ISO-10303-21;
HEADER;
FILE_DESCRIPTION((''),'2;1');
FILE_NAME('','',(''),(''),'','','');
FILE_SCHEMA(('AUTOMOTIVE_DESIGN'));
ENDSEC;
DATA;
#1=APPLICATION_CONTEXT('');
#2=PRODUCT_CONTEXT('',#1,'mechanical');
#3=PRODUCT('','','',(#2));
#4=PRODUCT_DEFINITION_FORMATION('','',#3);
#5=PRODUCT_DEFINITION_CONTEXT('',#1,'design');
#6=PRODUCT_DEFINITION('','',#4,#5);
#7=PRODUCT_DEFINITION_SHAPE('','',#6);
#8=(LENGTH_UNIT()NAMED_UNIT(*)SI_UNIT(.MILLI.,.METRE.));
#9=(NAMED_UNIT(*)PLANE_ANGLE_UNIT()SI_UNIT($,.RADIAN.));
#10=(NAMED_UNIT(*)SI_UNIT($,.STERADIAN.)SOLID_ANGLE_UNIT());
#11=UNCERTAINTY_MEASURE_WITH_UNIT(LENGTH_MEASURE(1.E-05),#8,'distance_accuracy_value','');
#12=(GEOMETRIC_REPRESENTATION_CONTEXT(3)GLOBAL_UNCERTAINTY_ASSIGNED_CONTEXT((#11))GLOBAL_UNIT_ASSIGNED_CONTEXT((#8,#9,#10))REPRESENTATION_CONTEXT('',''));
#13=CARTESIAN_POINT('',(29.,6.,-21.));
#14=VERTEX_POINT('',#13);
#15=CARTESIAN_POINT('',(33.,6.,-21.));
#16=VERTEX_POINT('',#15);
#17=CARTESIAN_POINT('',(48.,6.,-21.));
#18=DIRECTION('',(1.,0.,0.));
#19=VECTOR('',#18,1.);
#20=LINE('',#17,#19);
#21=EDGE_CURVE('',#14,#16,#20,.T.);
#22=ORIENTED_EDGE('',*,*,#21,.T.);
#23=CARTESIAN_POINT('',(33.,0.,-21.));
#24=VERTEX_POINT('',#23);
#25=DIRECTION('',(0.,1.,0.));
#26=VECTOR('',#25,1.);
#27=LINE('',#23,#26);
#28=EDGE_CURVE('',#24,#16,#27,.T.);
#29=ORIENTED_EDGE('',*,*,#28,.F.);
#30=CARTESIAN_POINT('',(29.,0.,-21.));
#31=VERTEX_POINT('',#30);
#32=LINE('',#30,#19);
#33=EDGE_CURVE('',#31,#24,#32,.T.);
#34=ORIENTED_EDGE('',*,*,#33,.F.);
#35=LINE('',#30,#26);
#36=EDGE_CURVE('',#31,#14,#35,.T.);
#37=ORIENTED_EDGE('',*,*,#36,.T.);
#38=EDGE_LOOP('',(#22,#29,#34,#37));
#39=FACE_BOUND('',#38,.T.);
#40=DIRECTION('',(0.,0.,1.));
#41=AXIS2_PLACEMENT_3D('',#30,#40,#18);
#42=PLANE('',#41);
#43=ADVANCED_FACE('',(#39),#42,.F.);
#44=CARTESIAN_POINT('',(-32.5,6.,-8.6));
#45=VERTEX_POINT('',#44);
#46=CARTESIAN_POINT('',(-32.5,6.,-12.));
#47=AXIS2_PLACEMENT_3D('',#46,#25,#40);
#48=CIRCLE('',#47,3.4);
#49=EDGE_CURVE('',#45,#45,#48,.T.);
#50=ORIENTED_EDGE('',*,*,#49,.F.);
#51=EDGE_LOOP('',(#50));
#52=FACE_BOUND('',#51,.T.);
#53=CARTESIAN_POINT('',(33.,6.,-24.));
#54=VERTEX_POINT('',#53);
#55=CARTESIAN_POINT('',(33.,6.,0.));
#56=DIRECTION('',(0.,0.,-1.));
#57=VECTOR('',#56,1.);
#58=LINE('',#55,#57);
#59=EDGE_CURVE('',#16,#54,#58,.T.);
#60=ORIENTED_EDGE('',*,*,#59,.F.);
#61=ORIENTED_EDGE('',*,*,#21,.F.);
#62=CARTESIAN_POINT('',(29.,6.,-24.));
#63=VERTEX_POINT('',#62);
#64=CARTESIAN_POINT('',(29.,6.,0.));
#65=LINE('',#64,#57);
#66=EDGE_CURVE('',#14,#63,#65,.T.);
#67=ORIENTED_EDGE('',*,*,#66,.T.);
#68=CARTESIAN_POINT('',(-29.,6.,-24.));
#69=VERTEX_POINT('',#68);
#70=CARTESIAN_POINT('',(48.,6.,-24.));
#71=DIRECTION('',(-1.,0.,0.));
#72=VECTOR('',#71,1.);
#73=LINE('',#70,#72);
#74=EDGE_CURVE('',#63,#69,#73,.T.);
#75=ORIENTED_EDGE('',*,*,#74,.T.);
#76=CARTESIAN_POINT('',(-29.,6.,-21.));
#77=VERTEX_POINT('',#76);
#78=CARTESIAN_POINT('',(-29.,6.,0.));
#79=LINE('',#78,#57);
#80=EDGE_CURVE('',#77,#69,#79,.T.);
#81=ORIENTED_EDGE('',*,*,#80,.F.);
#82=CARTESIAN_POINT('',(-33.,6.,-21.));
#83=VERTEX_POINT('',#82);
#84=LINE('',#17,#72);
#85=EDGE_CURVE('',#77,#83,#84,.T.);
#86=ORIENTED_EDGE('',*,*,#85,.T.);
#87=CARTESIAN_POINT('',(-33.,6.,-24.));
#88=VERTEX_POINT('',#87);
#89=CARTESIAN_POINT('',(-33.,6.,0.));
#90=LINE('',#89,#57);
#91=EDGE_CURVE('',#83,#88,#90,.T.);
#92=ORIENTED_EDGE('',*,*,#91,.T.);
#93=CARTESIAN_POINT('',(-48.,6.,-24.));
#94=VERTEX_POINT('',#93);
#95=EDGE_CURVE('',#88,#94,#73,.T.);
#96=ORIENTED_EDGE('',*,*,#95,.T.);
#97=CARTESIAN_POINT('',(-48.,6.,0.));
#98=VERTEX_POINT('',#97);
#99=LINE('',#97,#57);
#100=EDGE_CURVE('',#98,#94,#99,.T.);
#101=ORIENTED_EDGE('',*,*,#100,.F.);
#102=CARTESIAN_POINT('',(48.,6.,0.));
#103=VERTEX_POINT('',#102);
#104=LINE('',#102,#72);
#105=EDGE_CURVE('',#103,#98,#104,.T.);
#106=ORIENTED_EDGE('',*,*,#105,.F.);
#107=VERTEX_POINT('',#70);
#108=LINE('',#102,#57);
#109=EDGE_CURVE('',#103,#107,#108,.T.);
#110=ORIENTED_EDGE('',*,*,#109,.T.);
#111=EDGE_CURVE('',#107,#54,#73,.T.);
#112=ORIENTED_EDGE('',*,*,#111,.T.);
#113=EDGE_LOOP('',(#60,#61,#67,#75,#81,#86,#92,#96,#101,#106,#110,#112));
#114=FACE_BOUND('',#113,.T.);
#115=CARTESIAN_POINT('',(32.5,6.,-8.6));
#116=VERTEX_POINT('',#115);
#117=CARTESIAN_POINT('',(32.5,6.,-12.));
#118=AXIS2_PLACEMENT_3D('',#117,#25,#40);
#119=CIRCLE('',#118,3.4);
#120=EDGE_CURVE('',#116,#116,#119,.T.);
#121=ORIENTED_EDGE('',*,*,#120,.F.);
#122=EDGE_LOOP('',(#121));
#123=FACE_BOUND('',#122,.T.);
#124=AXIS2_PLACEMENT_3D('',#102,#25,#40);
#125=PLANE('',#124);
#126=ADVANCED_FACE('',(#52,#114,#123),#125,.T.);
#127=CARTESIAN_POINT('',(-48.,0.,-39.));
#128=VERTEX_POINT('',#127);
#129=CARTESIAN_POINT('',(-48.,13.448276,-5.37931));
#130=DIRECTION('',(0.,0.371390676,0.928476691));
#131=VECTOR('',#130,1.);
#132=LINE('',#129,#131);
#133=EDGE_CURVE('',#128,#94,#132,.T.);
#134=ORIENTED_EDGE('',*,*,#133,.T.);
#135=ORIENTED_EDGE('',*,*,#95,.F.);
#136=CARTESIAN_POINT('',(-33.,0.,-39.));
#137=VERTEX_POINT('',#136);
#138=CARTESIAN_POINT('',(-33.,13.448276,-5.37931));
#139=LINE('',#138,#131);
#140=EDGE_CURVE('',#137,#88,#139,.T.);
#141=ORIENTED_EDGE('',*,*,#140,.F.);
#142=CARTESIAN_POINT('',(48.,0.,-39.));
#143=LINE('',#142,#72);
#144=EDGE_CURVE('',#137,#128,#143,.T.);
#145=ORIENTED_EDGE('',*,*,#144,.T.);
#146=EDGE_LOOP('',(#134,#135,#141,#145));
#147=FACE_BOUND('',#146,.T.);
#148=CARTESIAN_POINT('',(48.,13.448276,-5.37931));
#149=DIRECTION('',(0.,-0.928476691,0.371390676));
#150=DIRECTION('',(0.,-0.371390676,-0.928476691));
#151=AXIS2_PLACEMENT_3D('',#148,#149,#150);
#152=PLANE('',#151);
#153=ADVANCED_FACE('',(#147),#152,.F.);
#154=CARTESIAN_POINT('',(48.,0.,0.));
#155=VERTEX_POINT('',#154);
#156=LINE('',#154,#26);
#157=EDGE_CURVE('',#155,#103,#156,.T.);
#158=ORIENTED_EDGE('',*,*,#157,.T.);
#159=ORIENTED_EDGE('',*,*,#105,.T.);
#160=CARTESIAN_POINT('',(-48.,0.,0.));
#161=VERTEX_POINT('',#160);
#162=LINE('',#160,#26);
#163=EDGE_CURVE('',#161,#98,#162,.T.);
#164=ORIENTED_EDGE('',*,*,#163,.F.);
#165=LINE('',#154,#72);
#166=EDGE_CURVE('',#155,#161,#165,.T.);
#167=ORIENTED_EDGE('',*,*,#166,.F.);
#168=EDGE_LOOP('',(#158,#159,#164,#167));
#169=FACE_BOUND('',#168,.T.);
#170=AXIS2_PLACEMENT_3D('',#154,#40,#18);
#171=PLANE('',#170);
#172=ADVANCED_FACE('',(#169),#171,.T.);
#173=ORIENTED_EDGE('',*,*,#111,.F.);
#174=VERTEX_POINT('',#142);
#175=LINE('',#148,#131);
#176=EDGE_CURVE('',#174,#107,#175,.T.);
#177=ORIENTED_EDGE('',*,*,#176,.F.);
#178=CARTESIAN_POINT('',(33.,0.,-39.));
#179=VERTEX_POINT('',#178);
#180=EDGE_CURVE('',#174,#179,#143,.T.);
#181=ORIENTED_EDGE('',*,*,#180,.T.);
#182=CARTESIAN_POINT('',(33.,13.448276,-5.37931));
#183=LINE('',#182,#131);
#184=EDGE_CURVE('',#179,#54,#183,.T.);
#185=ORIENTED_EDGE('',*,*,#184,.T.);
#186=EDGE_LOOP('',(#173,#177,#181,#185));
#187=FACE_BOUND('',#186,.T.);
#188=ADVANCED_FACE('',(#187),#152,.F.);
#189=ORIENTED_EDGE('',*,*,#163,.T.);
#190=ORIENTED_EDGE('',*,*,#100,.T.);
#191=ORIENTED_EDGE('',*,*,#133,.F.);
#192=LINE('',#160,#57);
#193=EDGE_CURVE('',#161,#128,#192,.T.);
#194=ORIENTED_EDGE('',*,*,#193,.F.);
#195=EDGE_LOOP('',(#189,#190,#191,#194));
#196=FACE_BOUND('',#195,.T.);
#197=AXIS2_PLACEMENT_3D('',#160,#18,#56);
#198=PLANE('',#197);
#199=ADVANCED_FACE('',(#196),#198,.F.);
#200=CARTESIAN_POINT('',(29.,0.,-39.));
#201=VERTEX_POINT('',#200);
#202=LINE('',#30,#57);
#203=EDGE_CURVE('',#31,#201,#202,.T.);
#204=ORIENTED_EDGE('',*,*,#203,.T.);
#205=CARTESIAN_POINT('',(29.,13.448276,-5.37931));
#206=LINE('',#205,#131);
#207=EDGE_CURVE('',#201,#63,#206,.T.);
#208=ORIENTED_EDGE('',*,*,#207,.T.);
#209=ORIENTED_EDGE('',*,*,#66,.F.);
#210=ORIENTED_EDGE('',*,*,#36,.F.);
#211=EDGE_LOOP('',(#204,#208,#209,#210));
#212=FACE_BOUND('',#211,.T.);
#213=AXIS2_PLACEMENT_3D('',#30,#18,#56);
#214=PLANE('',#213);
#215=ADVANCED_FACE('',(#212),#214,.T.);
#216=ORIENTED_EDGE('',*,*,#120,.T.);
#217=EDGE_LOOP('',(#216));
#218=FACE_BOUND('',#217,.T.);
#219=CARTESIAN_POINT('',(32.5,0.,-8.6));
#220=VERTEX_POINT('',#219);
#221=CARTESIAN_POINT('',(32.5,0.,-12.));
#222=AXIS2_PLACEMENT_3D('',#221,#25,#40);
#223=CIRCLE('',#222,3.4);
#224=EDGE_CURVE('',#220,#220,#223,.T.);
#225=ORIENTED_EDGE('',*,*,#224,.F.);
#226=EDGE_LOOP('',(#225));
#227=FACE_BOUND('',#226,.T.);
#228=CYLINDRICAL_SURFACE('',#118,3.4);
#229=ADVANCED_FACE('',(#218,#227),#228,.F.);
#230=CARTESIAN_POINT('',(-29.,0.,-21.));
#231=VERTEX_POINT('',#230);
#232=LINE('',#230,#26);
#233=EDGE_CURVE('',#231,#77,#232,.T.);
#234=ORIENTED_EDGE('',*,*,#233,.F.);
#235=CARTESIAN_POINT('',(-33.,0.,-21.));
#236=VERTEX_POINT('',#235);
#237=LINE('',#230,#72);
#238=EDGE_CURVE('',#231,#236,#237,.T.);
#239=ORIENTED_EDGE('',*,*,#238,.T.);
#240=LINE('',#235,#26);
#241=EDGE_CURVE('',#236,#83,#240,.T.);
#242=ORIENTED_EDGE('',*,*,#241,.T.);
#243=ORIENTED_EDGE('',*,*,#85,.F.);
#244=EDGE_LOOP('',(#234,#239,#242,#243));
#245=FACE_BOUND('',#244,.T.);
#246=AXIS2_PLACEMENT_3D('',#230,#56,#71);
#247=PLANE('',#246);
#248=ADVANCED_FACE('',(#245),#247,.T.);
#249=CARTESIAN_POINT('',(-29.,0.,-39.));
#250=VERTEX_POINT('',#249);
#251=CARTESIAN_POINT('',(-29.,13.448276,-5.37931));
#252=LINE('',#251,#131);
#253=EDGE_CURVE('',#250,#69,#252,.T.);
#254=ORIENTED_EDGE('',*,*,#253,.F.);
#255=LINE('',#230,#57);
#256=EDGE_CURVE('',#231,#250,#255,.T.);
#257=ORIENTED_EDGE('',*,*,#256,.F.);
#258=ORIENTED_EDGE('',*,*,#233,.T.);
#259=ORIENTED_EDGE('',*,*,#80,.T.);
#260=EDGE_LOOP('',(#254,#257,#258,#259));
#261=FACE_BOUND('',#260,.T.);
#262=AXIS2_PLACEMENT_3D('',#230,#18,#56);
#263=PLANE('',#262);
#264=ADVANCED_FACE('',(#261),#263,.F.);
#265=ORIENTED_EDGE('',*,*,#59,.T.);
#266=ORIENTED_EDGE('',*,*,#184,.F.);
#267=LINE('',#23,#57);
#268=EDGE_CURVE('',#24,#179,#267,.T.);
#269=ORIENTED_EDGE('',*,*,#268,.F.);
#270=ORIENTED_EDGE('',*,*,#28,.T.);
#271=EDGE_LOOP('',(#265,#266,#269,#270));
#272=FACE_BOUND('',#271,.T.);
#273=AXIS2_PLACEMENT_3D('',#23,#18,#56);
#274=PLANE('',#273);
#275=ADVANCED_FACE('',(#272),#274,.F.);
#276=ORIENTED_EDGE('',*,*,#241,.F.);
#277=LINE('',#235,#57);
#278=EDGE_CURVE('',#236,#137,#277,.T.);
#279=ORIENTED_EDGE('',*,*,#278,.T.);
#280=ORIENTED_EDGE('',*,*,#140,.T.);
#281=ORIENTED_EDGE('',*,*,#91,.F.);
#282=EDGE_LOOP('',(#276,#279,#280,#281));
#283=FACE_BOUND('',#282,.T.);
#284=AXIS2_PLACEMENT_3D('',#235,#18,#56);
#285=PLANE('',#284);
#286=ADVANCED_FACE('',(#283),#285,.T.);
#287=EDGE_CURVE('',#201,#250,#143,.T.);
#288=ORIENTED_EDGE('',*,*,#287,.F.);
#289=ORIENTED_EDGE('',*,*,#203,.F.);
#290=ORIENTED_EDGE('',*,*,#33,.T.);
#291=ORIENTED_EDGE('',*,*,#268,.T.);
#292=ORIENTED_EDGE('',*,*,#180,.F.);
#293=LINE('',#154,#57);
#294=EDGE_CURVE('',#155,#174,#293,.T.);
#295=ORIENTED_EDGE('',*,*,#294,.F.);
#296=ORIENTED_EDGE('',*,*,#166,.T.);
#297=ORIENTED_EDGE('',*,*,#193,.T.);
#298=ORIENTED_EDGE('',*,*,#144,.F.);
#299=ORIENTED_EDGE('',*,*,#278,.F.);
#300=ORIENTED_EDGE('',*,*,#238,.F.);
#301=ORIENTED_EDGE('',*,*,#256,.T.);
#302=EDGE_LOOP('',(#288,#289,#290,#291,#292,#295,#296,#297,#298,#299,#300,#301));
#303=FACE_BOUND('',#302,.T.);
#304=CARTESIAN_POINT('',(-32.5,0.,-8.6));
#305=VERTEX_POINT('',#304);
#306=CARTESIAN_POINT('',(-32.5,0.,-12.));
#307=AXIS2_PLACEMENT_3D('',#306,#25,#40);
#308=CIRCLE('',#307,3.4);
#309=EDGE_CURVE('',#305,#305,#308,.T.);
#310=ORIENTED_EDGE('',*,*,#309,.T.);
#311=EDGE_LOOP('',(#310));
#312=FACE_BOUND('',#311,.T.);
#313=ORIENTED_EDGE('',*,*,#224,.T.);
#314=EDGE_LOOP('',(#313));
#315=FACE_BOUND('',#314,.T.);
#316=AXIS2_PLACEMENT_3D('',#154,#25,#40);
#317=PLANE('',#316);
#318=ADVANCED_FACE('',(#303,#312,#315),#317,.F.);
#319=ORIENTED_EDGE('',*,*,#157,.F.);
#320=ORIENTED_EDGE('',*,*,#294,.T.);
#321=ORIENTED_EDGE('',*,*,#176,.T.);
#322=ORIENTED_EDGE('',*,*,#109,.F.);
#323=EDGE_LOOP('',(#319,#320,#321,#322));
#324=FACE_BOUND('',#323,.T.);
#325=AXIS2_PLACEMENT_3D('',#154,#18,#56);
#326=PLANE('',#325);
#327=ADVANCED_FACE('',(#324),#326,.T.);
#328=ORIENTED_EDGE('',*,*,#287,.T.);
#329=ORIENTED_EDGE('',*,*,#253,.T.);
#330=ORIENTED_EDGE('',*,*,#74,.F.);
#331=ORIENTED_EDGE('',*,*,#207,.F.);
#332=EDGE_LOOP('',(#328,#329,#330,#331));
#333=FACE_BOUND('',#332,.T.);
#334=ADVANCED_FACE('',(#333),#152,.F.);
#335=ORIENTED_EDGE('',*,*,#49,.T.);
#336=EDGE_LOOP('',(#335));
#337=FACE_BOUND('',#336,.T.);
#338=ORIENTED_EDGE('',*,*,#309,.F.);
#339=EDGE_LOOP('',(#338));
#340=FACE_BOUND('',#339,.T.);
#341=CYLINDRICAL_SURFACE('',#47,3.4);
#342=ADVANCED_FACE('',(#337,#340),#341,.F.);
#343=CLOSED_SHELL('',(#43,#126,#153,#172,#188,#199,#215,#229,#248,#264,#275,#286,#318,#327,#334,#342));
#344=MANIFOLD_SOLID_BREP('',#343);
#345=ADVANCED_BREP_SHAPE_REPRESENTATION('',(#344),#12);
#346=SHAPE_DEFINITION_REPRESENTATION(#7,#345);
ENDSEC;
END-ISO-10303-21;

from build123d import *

# Parameters (mm, degrees)
EXTRUDE_1_DEPTH     = 48
HOLE_WIZARD_M8_1_D  = 6.8
SKETCH_4_W          = 4
SKETCH_4_H          = 18
CUT_EXTRUDE_1_DEPTH = 63.136945532


with BuildPart() as part:
    # 草图1 → 凸台-拉伸1 (new, symmetric)
    with BuildSketch(Plane(origin=(0, 0, 0), x_dir=(0, 0, -1), z_dir=(1, 0, 0))):
        Polygon((0, 0), (39, 0), (24, 6), (0, 6), align=None)
    extrude(amount=EXTRUDE_1_DEPTH, both=True)

    # M8 螺纹孔1 (through all)
    with Locations(Plane(origin=(0, 6, 0), x_dir=(1, 0, 0), z_dir=(0, 1, 0))):
        with Locations((32.5, 12), (-32.5, 12)):
            Hole(HOLE_WIZARD_M8_1_D / 2)

    # 草图4 → 切除-拉伸-薄壁1 (cut, symmetric)
    with BuildSketch(Plane(origin=(0, 6, 0), x_dir=(1, 0, 0), z_dir=(0, 1, 0))):
        with Locations((-31, 30)):
            Rectangle(SKETCH_4_W, SKETCH_4_H)
    cut_extrude_1 = extrude(amount=CUT_EXTRUDE_1_DEPTH, both=True, mode=Mode.SUBTRACT)

    # 镜向1: 切除-拉伸-薄壁1 across plane
    add(cut_extrude_1.mirror(Plane(origin=(0, 0, 0), x_dir=(0, 0, 1), z_dir=(1, 0, 0))), mode=Mode.SUBTRACT)


solid = part.part
